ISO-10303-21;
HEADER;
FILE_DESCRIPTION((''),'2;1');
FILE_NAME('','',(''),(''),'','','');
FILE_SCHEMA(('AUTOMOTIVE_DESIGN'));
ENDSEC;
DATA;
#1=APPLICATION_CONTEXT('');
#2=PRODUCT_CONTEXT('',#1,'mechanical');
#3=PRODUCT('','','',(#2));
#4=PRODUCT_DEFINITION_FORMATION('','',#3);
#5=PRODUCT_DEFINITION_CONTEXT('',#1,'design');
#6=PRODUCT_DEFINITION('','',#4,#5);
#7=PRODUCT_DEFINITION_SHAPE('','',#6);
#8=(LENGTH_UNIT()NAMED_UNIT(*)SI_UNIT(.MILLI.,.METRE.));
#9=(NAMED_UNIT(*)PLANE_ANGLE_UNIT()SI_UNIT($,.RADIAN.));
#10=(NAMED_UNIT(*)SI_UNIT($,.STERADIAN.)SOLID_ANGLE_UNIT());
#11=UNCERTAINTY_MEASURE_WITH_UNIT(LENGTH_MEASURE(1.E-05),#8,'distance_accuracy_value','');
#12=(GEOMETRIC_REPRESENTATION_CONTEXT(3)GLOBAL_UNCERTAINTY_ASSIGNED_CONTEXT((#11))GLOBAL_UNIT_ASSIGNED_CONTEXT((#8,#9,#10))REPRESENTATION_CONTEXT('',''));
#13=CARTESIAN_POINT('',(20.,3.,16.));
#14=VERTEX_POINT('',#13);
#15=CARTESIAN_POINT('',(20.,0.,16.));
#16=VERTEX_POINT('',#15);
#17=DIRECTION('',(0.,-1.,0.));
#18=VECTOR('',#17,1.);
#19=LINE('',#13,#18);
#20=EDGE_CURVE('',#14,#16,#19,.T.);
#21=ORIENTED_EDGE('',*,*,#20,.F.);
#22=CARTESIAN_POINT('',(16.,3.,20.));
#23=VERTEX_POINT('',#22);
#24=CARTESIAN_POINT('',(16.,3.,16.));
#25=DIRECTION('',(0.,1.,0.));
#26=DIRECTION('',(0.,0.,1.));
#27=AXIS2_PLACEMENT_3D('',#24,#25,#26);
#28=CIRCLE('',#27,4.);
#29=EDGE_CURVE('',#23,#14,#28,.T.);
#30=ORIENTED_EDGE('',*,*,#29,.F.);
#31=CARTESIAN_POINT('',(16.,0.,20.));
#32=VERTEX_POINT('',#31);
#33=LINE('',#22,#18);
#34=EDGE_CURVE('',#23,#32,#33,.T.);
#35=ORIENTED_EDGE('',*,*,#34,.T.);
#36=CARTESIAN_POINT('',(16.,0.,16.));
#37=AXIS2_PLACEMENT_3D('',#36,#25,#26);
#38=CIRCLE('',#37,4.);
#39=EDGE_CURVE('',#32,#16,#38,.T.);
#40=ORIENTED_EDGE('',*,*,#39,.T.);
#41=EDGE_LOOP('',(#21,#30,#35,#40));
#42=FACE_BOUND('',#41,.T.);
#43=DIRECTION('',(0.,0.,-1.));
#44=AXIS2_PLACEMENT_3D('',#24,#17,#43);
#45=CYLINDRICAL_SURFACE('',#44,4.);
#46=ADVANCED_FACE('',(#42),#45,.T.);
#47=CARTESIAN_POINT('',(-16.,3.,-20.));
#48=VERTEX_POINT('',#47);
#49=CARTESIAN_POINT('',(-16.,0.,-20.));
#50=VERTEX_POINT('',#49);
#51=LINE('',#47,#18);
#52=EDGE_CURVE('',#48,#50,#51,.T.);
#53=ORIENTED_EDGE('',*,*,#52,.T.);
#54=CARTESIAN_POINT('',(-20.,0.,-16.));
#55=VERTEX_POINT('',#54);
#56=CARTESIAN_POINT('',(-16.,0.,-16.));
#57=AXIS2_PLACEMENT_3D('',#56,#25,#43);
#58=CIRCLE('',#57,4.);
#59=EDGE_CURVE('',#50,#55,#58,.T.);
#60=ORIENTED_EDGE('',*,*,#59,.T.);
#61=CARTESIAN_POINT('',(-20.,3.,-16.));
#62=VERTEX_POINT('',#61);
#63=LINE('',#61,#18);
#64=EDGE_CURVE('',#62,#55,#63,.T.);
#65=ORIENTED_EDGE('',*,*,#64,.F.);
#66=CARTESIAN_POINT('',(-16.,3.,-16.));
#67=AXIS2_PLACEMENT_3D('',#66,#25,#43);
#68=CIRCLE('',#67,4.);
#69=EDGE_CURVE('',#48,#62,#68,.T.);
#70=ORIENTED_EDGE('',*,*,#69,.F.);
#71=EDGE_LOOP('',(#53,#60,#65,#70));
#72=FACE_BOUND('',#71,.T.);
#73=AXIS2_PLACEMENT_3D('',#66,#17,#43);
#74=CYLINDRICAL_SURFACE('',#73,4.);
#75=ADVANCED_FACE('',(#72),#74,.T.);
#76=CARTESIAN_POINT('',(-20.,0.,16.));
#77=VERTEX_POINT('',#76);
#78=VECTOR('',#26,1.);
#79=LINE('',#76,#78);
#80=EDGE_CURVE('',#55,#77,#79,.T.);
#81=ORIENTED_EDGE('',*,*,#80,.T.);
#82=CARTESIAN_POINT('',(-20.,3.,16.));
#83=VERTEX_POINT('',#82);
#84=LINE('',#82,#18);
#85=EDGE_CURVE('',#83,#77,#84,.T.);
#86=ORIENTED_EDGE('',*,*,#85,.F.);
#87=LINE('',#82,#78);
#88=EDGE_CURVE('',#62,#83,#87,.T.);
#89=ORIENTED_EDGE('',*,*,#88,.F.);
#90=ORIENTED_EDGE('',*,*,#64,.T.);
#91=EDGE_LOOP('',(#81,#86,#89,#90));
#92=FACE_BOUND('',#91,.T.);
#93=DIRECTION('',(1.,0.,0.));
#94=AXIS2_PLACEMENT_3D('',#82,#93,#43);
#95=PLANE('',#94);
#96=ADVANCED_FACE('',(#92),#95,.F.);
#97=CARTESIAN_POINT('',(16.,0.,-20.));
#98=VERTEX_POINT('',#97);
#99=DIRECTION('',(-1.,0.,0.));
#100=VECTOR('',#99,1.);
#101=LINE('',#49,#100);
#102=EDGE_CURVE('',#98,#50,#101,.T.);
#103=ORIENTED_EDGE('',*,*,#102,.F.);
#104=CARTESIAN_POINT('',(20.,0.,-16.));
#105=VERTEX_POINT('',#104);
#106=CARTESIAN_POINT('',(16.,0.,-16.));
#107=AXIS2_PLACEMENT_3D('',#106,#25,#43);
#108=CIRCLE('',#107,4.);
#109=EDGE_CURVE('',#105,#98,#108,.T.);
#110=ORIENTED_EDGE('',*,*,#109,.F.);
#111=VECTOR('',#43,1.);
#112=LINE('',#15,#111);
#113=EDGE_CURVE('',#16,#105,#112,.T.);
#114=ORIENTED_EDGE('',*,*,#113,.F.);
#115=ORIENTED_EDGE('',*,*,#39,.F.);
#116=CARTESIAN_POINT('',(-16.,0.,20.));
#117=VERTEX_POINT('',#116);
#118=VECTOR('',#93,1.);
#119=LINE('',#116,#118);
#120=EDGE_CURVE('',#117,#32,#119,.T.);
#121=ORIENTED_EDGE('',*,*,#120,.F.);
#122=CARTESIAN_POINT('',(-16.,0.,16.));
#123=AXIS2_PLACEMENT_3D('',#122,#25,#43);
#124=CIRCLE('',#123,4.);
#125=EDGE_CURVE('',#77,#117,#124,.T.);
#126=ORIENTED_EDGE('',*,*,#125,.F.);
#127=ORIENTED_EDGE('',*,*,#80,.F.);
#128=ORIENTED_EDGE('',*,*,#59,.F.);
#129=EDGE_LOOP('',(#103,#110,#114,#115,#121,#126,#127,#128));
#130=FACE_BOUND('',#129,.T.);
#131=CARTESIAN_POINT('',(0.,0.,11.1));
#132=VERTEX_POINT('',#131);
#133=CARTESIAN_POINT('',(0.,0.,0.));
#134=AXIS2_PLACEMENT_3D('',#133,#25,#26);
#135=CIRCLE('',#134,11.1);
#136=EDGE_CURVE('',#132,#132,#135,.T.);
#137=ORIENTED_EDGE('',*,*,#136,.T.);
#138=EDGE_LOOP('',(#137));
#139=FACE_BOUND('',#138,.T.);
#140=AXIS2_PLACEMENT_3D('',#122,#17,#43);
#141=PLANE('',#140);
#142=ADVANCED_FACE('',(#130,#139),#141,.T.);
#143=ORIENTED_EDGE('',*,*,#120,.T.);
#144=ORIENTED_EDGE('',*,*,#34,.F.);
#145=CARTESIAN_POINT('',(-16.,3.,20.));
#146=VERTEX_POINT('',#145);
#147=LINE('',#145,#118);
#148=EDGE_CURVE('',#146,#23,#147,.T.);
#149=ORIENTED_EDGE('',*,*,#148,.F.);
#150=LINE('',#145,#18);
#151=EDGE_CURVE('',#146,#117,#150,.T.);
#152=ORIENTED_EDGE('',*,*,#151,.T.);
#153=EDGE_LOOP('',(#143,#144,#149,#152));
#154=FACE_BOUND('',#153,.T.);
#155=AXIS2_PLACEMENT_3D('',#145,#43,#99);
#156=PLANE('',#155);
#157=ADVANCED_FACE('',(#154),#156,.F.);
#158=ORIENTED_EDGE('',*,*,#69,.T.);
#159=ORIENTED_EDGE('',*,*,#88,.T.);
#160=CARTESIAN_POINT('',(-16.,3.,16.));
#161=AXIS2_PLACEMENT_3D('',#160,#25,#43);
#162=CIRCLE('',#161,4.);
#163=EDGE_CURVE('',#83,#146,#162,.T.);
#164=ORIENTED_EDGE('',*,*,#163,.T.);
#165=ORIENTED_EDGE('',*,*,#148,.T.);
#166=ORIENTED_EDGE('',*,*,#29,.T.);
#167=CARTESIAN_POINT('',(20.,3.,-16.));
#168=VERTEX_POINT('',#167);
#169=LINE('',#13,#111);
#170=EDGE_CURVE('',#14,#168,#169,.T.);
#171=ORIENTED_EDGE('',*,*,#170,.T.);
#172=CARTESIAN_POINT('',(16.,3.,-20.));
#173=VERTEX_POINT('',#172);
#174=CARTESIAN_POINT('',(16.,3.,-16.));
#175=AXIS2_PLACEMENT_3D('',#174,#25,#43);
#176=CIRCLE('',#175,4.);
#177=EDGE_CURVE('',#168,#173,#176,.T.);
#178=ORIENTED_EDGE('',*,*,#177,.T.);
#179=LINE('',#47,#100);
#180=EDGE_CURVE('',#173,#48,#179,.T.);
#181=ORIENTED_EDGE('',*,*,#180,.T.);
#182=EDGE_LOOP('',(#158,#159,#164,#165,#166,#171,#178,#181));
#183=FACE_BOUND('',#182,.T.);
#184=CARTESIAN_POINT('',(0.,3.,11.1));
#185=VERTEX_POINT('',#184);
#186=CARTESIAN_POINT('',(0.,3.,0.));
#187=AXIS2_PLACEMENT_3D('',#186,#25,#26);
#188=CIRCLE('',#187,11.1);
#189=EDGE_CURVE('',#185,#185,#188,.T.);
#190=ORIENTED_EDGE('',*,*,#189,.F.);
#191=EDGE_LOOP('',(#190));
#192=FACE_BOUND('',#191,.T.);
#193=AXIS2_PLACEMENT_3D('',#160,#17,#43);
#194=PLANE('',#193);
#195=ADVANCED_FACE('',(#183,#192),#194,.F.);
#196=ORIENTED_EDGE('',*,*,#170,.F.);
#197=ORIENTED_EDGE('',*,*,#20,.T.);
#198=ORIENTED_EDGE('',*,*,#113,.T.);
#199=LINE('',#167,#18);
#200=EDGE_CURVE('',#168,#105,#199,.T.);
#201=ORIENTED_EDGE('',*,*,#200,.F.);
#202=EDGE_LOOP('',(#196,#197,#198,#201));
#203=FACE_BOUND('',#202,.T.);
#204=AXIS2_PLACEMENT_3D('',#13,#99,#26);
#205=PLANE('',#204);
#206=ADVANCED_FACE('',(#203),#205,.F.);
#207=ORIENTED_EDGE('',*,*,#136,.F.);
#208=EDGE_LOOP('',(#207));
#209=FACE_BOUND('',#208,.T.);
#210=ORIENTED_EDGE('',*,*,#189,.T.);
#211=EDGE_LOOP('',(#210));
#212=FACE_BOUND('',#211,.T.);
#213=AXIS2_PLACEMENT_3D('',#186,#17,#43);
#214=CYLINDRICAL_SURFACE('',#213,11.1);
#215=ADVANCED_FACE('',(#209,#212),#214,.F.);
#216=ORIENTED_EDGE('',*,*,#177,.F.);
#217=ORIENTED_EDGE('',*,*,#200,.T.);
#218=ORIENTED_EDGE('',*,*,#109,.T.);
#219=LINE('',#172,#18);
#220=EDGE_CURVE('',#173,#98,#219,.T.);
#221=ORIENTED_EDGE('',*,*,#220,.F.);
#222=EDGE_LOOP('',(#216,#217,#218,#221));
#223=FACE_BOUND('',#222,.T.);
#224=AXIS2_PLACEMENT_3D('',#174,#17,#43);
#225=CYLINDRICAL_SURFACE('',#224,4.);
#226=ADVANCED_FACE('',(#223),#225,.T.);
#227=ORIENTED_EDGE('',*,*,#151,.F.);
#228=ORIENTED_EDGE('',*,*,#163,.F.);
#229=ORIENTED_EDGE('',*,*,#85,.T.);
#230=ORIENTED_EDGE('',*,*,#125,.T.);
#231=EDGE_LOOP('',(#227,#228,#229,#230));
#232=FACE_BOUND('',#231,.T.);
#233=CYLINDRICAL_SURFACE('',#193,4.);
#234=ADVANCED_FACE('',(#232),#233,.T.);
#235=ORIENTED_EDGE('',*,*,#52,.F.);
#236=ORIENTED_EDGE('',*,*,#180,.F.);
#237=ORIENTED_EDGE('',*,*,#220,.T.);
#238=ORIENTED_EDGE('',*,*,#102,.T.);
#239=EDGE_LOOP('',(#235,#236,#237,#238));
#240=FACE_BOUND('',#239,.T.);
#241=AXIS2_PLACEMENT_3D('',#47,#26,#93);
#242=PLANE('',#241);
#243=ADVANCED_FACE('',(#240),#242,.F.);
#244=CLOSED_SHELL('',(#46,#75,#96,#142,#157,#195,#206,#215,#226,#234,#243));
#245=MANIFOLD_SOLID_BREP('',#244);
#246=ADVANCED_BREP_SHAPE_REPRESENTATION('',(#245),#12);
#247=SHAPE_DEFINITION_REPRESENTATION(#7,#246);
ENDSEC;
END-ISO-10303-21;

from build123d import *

# Parameters (mm, degrees)
SKETCH_1_R      = 11.1
EXTRUDE_1_DEPTH = 3


with BuildPart() as part:
    # 草图1 → 凸台-拉伸1 (new body)
    with BuildSketch(Plane(origin=(0, 0, 0), x_dir=(1, 0, 0), z_dir=(0, 1, 0))):
        with BuildLine():
            Line((-16, -20), (16, -20))
            ThreePointArc((16, -20), (18.828427125, -18.828427125), (20, -16))
            Line((20, -16), (20, 16))
            ThreePointArc((20, 16), (18.828427125, 18.828427125), (16, 20))
            Line((16, 20), (-16, 20))
            ThreePointArc((-16, 20), (-18.828427125, 18.828427125), (-20, 16))
            Line((-20, 16), (-20, -16))
            ThreePointArc((-20, -16), (-18.828427125, -18.828427125), (-16, -20))
        make_face()
        with Locations(Location((0, 0, 0), (0, 0, 270))):
            Circle(SKETCH_1_R, mode=Mode.SUBTRACT)
    extrude(amount=EXTRUDE_1_DEPTH)


solid = part.part
